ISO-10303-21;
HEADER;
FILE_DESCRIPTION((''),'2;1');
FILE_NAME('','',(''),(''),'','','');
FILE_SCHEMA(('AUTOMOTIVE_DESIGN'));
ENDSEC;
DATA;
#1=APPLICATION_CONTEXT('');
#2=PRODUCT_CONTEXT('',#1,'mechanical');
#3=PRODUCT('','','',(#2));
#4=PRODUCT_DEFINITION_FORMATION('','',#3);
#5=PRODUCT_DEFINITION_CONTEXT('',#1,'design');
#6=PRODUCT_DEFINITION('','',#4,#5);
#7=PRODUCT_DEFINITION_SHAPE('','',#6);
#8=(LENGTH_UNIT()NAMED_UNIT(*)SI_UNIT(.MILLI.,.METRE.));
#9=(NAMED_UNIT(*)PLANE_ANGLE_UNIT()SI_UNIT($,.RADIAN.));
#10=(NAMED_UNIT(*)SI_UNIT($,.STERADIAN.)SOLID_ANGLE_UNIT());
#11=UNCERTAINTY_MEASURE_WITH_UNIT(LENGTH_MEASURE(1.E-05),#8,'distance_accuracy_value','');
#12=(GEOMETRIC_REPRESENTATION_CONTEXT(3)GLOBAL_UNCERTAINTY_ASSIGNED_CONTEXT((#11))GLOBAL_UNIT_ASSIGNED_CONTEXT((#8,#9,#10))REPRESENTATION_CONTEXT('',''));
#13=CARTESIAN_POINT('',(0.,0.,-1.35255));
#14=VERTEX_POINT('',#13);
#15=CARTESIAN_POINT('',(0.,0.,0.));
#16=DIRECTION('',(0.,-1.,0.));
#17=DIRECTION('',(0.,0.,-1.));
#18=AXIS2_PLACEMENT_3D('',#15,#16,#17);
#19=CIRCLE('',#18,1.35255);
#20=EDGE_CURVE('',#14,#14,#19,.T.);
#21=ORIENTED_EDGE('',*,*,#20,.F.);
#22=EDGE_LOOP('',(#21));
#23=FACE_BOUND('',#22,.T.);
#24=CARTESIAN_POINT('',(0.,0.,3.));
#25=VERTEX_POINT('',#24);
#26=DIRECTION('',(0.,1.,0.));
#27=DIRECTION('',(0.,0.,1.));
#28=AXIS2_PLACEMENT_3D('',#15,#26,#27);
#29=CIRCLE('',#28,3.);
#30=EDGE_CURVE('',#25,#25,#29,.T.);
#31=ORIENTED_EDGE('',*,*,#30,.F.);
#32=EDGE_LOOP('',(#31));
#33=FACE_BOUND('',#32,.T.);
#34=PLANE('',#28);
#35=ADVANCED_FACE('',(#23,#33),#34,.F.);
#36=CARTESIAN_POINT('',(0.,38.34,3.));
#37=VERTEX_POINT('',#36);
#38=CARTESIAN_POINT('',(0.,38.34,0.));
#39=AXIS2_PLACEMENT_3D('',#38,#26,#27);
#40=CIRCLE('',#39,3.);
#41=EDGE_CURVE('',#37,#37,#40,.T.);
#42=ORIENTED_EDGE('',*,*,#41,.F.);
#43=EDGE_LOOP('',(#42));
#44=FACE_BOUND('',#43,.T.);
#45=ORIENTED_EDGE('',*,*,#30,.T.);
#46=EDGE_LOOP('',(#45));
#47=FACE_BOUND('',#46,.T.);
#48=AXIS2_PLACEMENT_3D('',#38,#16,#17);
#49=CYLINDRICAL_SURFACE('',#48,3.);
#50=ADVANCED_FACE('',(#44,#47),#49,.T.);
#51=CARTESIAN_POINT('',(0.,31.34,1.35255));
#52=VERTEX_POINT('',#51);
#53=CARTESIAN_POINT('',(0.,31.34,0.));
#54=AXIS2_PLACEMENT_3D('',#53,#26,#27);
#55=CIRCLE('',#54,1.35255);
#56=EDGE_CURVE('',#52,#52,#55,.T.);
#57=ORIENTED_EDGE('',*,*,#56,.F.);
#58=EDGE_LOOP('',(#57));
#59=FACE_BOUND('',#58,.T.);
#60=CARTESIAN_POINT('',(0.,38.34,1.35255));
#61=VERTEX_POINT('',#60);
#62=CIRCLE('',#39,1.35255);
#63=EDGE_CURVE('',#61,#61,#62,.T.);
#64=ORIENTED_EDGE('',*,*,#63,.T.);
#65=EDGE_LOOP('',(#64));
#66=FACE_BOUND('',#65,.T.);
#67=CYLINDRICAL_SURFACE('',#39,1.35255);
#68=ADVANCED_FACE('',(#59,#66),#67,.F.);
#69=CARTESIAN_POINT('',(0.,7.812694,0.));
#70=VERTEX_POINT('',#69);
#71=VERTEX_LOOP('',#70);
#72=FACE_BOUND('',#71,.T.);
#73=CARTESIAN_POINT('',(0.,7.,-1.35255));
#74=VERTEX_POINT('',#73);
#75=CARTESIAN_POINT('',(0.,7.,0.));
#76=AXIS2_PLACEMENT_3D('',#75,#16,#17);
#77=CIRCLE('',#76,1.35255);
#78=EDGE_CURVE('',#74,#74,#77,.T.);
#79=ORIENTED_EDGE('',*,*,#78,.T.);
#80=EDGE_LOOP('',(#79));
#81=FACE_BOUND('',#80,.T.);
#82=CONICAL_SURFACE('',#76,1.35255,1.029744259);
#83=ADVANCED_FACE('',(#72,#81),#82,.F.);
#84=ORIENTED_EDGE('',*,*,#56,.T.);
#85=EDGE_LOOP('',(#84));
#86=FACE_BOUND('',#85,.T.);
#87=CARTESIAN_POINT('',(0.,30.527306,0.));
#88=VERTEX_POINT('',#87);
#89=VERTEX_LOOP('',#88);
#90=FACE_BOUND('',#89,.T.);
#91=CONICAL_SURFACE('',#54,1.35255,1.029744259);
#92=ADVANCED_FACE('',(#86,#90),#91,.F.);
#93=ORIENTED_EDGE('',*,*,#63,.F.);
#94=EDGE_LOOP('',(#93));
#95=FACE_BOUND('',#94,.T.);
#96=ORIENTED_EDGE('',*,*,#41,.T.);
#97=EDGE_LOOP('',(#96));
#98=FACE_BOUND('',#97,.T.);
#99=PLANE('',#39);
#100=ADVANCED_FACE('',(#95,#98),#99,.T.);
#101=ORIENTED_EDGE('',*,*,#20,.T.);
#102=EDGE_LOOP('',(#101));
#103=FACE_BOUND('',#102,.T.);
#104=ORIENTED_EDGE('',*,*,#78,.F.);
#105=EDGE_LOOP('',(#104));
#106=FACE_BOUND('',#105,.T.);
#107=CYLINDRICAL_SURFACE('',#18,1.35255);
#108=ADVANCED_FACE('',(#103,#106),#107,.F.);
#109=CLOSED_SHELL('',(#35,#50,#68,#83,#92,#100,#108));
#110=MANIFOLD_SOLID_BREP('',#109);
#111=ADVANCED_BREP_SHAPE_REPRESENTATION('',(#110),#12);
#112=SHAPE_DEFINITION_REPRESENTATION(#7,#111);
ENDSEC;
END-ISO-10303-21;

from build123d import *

# Parameters (mm, degrees)
SKETCH1_R                 = 3
BOSS_EXTRUDE1_DEPTH       = 38.34
F_6_32_TAPPED_HOLE1_D     = 2.7051
F_6_32_TAPPED_HOLE1_DEPTH = 7
F_6_32_TAPPED_HOLE1_TIP   = 0.81269403
F_6_32_TAPPED_HOLE2_D     = 2.7051
F_6_32_TAPPED_HOLE2_DEPTH = 7
F_6_32_TAPPED_HOLE2_TIP   = 0.81269403


with BuildPart() as part:
    # Sketch1 → Boss-Extrude1 (new body)
    with BuildSketch(Plane(origin=(0, 0, 0), x_dir=(1, 0, 0), z_dir=(0, 1, 0))):
        with Locations(Location((0, 0, 0), (0, 0, 270))):
            Circle(SKETCH1_R)
    extrude(amount=BOSS_EXTRUDE1_DEPTH)

    # #6-32 Tapped Hole1
    with Locations(Plane(origin=(0, 38.34, 0), x_dir=(1, 0, 0), z_dir=(0, 1, 0))):
        with Locations((0, 0)):
            Hole(F_6_32_TAPPED_HOLE1_D / 2, depth=F_6_32_TAPPED_HOLE1_DEPTH)
            with Locations((0, 0, -(F_6_32_TAPPED_HOLE1_DEPTH + F_6_32_TAPPED_HOLE1_TIP / 2))):  # 118° drill point
                Cone(0, F_6_32_TAPPED_HOLE1_D / 2, F_6_32_TAPPED_HOLE1_TIP, mode=Mode.SUBTRACT)

    # #6-32 Tapped Hole2
    with Locations(Plane(origin=(0, 0, 0), x_dir=(-1, 0, 0), z_dir=(0, -1, 0))):
        with Locations((0, 0)):
            Hole(F_6_32_TAPPED_HOLE2_D / 2, depth=F_6_32_TAPPED_HOLE2_DEPTH)
            with Locations((0, 0, -(F_6_32_TAPPED_HOLE2_DEPTH + F_6_32_TAPPED_HOLE2_TIP / 2))):  # 118° drill point
                Cone(0, F_6_32_TAPPED_HOLE2_D / 2, F_6_32_TAPPED_HOLE2_TIP, mode=Mode.SUBTRACT)


solid = part.part
